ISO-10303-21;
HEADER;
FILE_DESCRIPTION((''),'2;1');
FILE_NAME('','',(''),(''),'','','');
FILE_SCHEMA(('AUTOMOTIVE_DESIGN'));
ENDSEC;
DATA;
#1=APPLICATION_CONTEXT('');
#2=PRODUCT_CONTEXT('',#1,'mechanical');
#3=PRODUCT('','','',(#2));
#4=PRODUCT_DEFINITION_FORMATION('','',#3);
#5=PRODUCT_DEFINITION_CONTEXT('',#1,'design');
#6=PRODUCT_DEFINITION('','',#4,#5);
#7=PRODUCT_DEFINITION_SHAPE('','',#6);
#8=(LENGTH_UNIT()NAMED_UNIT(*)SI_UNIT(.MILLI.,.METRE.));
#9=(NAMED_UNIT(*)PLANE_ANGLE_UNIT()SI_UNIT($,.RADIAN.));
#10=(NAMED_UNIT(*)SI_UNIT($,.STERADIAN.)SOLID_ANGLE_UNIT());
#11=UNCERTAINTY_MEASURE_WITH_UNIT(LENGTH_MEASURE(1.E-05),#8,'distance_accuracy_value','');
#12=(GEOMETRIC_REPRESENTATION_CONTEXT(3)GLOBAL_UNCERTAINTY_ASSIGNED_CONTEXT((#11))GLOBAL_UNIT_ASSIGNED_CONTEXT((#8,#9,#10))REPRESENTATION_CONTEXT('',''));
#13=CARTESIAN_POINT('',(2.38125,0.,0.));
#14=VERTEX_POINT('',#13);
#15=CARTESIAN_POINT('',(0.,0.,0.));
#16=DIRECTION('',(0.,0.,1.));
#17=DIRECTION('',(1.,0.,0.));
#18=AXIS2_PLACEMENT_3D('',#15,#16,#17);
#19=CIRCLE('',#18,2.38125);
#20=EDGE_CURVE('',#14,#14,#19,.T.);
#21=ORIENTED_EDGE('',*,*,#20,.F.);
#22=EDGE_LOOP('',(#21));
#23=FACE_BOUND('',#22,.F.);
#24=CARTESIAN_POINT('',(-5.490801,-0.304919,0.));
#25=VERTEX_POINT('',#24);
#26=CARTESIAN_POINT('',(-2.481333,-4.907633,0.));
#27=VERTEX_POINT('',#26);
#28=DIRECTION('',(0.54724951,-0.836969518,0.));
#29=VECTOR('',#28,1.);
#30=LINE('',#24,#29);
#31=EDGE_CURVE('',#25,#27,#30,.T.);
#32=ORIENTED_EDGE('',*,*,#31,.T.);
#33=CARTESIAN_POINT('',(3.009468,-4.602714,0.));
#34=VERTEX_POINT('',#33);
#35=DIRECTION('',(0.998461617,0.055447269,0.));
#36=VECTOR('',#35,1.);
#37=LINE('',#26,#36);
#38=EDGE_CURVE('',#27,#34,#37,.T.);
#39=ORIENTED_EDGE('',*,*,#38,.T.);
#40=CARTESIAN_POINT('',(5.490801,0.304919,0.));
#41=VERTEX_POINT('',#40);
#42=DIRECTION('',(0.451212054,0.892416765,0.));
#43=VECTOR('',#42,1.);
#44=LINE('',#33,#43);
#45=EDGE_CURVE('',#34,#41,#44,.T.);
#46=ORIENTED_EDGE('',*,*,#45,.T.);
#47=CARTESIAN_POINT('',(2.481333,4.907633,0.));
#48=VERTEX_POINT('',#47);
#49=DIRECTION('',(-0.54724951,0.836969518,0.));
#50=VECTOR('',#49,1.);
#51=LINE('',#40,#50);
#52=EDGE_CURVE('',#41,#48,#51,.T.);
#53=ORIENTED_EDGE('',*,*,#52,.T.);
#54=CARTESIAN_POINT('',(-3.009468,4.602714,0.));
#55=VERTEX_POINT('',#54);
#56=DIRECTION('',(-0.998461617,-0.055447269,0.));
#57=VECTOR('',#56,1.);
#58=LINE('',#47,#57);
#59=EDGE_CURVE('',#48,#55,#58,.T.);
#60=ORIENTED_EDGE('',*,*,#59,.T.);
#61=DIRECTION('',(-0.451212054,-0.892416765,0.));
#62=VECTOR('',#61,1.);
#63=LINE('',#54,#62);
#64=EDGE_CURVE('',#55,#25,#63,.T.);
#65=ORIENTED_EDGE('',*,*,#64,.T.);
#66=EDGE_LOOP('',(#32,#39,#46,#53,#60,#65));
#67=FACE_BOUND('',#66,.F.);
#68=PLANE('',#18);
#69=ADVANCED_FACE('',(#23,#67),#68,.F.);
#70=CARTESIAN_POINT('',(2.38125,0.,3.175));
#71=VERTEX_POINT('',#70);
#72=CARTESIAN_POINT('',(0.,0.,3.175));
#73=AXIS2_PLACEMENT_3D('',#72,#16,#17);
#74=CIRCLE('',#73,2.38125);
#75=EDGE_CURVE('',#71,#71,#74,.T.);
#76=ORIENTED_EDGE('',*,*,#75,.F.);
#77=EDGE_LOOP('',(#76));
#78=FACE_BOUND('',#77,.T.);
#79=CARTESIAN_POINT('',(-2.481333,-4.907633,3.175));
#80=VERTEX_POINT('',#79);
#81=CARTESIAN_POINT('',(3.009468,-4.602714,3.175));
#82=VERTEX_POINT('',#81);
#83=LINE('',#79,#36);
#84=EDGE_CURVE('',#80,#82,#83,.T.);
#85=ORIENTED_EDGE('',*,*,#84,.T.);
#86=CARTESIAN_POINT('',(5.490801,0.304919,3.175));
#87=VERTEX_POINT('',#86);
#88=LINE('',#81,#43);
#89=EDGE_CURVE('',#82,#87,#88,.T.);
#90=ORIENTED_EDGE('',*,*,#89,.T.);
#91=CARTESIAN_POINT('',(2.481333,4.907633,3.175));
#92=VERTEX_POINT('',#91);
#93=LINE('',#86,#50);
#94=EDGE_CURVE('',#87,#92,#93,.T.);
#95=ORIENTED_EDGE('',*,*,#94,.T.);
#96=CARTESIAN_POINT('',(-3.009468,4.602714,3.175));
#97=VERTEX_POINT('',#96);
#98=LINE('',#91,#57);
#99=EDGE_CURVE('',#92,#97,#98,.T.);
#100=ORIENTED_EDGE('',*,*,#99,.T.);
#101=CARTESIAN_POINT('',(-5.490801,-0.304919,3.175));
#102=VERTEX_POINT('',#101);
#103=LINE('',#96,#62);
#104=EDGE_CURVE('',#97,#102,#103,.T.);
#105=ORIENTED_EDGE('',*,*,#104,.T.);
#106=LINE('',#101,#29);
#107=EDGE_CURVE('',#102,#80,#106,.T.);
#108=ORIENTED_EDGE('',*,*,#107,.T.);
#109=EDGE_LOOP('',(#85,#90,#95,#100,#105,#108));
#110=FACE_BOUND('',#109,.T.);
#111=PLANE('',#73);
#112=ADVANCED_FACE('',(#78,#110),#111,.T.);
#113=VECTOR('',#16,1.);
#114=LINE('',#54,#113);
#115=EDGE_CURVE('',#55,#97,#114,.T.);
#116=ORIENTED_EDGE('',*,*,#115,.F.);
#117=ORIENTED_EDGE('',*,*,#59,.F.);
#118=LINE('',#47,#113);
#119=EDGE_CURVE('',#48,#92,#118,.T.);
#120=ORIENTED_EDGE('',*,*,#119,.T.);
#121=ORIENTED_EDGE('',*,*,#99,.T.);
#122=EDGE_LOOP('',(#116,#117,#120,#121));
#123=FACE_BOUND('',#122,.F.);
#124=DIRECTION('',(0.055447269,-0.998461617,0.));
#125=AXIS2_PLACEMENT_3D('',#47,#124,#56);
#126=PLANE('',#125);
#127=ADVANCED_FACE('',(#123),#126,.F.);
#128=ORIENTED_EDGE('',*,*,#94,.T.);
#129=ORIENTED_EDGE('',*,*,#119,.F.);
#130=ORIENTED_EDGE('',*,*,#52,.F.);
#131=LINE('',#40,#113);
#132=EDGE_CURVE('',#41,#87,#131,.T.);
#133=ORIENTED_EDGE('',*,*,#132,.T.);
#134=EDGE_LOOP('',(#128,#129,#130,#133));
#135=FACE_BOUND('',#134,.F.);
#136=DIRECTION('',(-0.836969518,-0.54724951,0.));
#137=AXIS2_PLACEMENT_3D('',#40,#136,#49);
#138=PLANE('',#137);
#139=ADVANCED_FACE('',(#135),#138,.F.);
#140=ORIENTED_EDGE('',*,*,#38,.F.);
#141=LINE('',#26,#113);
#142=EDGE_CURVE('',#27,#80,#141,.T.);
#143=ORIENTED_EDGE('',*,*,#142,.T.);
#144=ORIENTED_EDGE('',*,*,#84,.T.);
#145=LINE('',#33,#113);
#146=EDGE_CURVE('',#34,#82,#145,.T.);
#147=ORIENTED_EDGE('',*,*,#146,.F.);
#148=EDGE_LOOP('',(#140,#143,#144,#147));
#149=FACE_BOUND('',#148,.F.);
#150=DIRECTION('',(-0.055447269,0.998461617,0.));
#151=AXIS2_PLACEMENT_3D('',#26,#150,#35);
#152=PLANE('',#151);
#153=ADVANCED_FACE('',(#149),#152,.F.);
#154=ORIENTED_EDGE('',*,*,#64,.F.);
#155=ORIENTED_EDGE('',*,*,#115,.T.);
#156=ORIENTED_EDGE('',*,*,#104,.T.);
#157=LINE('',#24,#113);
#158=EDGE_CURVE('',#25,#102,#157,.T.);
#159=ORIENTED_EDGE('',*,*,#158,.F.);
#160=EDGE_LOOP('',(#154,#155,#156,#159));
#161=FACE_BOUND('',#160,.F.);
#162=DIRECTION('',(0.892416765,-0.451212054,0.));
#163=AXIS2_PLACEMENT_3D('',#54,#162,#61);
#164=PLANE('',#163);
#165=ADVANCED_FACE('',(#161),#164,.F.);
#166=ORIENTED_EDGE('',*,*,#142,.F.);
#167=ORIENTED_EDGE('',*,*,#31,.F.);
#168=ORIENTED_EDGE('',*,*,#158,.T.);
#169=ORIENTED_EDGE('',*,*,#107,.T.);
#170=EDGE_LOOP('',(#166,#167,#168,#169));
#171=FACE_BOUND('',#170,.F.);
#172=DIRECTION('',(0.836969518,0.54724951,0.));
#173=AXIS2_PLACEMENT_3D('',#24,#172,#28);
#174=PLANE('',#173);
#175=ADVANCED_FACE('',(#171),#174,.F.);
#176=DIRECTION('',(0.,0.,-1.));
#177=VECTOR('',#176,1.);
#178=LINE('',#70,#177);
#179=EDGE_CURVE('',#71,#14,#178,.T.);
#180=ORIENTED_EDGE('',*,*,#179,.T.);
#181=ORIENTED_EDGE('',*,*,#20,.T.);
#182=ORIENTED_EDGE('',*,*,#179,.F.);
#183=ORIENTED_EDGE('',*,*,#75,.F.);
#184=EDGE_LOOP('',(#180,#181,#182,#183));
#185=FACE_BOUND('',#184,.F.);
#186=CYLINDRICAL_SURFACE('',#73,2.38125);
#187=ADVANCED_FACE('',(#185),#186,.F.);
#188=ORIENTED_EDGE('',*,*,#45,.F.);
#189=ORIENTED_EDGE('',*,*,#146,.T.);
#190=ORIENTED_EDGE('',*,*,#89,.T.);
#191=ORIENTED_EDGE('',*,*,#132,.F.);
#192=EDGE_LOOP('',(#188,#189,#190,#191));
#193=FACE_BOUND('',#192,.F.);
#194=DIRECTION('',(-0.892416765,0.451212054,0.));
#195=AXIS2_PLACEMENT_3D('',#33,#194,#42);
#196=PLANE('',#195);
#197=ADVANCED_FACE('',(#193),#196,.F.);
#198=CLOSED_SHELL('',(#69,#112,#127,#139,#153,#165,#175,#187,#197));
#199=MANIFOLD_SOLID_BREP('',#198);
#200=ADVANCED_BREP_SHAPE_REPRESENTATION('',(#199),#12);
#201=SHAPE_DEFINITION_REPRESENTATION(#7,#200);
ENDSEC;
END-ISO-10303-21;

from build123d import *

# Parameters (mm, degrees)
F1_DEPTH = 3.175
F2_R     = 2.38125
F3_DEPTH = 3.176


with BuildPart() as f1:
    # F0 (on Top) → F1 (new body)
    with BuildSketch(Plane.XY):
        Polygon((5.490801, 0.304919), (2.481333, 4.907633), (-3.009468, 4.602714), (-5.490801, -0.304919), (-2.481333, -4.907633), (3.009468, -4.602714), align=None)
    extrude(amount=F1_DEPTH)

    # F2 (on face) → F3 (cut, through all)
    with BuildSketch(Plane.XY.offset(3.175)):
        Circle(F2_R)
    extrude(amount=-F3_DEPTH, mode=Mode.SUBTRACT)


solid = f1.part
